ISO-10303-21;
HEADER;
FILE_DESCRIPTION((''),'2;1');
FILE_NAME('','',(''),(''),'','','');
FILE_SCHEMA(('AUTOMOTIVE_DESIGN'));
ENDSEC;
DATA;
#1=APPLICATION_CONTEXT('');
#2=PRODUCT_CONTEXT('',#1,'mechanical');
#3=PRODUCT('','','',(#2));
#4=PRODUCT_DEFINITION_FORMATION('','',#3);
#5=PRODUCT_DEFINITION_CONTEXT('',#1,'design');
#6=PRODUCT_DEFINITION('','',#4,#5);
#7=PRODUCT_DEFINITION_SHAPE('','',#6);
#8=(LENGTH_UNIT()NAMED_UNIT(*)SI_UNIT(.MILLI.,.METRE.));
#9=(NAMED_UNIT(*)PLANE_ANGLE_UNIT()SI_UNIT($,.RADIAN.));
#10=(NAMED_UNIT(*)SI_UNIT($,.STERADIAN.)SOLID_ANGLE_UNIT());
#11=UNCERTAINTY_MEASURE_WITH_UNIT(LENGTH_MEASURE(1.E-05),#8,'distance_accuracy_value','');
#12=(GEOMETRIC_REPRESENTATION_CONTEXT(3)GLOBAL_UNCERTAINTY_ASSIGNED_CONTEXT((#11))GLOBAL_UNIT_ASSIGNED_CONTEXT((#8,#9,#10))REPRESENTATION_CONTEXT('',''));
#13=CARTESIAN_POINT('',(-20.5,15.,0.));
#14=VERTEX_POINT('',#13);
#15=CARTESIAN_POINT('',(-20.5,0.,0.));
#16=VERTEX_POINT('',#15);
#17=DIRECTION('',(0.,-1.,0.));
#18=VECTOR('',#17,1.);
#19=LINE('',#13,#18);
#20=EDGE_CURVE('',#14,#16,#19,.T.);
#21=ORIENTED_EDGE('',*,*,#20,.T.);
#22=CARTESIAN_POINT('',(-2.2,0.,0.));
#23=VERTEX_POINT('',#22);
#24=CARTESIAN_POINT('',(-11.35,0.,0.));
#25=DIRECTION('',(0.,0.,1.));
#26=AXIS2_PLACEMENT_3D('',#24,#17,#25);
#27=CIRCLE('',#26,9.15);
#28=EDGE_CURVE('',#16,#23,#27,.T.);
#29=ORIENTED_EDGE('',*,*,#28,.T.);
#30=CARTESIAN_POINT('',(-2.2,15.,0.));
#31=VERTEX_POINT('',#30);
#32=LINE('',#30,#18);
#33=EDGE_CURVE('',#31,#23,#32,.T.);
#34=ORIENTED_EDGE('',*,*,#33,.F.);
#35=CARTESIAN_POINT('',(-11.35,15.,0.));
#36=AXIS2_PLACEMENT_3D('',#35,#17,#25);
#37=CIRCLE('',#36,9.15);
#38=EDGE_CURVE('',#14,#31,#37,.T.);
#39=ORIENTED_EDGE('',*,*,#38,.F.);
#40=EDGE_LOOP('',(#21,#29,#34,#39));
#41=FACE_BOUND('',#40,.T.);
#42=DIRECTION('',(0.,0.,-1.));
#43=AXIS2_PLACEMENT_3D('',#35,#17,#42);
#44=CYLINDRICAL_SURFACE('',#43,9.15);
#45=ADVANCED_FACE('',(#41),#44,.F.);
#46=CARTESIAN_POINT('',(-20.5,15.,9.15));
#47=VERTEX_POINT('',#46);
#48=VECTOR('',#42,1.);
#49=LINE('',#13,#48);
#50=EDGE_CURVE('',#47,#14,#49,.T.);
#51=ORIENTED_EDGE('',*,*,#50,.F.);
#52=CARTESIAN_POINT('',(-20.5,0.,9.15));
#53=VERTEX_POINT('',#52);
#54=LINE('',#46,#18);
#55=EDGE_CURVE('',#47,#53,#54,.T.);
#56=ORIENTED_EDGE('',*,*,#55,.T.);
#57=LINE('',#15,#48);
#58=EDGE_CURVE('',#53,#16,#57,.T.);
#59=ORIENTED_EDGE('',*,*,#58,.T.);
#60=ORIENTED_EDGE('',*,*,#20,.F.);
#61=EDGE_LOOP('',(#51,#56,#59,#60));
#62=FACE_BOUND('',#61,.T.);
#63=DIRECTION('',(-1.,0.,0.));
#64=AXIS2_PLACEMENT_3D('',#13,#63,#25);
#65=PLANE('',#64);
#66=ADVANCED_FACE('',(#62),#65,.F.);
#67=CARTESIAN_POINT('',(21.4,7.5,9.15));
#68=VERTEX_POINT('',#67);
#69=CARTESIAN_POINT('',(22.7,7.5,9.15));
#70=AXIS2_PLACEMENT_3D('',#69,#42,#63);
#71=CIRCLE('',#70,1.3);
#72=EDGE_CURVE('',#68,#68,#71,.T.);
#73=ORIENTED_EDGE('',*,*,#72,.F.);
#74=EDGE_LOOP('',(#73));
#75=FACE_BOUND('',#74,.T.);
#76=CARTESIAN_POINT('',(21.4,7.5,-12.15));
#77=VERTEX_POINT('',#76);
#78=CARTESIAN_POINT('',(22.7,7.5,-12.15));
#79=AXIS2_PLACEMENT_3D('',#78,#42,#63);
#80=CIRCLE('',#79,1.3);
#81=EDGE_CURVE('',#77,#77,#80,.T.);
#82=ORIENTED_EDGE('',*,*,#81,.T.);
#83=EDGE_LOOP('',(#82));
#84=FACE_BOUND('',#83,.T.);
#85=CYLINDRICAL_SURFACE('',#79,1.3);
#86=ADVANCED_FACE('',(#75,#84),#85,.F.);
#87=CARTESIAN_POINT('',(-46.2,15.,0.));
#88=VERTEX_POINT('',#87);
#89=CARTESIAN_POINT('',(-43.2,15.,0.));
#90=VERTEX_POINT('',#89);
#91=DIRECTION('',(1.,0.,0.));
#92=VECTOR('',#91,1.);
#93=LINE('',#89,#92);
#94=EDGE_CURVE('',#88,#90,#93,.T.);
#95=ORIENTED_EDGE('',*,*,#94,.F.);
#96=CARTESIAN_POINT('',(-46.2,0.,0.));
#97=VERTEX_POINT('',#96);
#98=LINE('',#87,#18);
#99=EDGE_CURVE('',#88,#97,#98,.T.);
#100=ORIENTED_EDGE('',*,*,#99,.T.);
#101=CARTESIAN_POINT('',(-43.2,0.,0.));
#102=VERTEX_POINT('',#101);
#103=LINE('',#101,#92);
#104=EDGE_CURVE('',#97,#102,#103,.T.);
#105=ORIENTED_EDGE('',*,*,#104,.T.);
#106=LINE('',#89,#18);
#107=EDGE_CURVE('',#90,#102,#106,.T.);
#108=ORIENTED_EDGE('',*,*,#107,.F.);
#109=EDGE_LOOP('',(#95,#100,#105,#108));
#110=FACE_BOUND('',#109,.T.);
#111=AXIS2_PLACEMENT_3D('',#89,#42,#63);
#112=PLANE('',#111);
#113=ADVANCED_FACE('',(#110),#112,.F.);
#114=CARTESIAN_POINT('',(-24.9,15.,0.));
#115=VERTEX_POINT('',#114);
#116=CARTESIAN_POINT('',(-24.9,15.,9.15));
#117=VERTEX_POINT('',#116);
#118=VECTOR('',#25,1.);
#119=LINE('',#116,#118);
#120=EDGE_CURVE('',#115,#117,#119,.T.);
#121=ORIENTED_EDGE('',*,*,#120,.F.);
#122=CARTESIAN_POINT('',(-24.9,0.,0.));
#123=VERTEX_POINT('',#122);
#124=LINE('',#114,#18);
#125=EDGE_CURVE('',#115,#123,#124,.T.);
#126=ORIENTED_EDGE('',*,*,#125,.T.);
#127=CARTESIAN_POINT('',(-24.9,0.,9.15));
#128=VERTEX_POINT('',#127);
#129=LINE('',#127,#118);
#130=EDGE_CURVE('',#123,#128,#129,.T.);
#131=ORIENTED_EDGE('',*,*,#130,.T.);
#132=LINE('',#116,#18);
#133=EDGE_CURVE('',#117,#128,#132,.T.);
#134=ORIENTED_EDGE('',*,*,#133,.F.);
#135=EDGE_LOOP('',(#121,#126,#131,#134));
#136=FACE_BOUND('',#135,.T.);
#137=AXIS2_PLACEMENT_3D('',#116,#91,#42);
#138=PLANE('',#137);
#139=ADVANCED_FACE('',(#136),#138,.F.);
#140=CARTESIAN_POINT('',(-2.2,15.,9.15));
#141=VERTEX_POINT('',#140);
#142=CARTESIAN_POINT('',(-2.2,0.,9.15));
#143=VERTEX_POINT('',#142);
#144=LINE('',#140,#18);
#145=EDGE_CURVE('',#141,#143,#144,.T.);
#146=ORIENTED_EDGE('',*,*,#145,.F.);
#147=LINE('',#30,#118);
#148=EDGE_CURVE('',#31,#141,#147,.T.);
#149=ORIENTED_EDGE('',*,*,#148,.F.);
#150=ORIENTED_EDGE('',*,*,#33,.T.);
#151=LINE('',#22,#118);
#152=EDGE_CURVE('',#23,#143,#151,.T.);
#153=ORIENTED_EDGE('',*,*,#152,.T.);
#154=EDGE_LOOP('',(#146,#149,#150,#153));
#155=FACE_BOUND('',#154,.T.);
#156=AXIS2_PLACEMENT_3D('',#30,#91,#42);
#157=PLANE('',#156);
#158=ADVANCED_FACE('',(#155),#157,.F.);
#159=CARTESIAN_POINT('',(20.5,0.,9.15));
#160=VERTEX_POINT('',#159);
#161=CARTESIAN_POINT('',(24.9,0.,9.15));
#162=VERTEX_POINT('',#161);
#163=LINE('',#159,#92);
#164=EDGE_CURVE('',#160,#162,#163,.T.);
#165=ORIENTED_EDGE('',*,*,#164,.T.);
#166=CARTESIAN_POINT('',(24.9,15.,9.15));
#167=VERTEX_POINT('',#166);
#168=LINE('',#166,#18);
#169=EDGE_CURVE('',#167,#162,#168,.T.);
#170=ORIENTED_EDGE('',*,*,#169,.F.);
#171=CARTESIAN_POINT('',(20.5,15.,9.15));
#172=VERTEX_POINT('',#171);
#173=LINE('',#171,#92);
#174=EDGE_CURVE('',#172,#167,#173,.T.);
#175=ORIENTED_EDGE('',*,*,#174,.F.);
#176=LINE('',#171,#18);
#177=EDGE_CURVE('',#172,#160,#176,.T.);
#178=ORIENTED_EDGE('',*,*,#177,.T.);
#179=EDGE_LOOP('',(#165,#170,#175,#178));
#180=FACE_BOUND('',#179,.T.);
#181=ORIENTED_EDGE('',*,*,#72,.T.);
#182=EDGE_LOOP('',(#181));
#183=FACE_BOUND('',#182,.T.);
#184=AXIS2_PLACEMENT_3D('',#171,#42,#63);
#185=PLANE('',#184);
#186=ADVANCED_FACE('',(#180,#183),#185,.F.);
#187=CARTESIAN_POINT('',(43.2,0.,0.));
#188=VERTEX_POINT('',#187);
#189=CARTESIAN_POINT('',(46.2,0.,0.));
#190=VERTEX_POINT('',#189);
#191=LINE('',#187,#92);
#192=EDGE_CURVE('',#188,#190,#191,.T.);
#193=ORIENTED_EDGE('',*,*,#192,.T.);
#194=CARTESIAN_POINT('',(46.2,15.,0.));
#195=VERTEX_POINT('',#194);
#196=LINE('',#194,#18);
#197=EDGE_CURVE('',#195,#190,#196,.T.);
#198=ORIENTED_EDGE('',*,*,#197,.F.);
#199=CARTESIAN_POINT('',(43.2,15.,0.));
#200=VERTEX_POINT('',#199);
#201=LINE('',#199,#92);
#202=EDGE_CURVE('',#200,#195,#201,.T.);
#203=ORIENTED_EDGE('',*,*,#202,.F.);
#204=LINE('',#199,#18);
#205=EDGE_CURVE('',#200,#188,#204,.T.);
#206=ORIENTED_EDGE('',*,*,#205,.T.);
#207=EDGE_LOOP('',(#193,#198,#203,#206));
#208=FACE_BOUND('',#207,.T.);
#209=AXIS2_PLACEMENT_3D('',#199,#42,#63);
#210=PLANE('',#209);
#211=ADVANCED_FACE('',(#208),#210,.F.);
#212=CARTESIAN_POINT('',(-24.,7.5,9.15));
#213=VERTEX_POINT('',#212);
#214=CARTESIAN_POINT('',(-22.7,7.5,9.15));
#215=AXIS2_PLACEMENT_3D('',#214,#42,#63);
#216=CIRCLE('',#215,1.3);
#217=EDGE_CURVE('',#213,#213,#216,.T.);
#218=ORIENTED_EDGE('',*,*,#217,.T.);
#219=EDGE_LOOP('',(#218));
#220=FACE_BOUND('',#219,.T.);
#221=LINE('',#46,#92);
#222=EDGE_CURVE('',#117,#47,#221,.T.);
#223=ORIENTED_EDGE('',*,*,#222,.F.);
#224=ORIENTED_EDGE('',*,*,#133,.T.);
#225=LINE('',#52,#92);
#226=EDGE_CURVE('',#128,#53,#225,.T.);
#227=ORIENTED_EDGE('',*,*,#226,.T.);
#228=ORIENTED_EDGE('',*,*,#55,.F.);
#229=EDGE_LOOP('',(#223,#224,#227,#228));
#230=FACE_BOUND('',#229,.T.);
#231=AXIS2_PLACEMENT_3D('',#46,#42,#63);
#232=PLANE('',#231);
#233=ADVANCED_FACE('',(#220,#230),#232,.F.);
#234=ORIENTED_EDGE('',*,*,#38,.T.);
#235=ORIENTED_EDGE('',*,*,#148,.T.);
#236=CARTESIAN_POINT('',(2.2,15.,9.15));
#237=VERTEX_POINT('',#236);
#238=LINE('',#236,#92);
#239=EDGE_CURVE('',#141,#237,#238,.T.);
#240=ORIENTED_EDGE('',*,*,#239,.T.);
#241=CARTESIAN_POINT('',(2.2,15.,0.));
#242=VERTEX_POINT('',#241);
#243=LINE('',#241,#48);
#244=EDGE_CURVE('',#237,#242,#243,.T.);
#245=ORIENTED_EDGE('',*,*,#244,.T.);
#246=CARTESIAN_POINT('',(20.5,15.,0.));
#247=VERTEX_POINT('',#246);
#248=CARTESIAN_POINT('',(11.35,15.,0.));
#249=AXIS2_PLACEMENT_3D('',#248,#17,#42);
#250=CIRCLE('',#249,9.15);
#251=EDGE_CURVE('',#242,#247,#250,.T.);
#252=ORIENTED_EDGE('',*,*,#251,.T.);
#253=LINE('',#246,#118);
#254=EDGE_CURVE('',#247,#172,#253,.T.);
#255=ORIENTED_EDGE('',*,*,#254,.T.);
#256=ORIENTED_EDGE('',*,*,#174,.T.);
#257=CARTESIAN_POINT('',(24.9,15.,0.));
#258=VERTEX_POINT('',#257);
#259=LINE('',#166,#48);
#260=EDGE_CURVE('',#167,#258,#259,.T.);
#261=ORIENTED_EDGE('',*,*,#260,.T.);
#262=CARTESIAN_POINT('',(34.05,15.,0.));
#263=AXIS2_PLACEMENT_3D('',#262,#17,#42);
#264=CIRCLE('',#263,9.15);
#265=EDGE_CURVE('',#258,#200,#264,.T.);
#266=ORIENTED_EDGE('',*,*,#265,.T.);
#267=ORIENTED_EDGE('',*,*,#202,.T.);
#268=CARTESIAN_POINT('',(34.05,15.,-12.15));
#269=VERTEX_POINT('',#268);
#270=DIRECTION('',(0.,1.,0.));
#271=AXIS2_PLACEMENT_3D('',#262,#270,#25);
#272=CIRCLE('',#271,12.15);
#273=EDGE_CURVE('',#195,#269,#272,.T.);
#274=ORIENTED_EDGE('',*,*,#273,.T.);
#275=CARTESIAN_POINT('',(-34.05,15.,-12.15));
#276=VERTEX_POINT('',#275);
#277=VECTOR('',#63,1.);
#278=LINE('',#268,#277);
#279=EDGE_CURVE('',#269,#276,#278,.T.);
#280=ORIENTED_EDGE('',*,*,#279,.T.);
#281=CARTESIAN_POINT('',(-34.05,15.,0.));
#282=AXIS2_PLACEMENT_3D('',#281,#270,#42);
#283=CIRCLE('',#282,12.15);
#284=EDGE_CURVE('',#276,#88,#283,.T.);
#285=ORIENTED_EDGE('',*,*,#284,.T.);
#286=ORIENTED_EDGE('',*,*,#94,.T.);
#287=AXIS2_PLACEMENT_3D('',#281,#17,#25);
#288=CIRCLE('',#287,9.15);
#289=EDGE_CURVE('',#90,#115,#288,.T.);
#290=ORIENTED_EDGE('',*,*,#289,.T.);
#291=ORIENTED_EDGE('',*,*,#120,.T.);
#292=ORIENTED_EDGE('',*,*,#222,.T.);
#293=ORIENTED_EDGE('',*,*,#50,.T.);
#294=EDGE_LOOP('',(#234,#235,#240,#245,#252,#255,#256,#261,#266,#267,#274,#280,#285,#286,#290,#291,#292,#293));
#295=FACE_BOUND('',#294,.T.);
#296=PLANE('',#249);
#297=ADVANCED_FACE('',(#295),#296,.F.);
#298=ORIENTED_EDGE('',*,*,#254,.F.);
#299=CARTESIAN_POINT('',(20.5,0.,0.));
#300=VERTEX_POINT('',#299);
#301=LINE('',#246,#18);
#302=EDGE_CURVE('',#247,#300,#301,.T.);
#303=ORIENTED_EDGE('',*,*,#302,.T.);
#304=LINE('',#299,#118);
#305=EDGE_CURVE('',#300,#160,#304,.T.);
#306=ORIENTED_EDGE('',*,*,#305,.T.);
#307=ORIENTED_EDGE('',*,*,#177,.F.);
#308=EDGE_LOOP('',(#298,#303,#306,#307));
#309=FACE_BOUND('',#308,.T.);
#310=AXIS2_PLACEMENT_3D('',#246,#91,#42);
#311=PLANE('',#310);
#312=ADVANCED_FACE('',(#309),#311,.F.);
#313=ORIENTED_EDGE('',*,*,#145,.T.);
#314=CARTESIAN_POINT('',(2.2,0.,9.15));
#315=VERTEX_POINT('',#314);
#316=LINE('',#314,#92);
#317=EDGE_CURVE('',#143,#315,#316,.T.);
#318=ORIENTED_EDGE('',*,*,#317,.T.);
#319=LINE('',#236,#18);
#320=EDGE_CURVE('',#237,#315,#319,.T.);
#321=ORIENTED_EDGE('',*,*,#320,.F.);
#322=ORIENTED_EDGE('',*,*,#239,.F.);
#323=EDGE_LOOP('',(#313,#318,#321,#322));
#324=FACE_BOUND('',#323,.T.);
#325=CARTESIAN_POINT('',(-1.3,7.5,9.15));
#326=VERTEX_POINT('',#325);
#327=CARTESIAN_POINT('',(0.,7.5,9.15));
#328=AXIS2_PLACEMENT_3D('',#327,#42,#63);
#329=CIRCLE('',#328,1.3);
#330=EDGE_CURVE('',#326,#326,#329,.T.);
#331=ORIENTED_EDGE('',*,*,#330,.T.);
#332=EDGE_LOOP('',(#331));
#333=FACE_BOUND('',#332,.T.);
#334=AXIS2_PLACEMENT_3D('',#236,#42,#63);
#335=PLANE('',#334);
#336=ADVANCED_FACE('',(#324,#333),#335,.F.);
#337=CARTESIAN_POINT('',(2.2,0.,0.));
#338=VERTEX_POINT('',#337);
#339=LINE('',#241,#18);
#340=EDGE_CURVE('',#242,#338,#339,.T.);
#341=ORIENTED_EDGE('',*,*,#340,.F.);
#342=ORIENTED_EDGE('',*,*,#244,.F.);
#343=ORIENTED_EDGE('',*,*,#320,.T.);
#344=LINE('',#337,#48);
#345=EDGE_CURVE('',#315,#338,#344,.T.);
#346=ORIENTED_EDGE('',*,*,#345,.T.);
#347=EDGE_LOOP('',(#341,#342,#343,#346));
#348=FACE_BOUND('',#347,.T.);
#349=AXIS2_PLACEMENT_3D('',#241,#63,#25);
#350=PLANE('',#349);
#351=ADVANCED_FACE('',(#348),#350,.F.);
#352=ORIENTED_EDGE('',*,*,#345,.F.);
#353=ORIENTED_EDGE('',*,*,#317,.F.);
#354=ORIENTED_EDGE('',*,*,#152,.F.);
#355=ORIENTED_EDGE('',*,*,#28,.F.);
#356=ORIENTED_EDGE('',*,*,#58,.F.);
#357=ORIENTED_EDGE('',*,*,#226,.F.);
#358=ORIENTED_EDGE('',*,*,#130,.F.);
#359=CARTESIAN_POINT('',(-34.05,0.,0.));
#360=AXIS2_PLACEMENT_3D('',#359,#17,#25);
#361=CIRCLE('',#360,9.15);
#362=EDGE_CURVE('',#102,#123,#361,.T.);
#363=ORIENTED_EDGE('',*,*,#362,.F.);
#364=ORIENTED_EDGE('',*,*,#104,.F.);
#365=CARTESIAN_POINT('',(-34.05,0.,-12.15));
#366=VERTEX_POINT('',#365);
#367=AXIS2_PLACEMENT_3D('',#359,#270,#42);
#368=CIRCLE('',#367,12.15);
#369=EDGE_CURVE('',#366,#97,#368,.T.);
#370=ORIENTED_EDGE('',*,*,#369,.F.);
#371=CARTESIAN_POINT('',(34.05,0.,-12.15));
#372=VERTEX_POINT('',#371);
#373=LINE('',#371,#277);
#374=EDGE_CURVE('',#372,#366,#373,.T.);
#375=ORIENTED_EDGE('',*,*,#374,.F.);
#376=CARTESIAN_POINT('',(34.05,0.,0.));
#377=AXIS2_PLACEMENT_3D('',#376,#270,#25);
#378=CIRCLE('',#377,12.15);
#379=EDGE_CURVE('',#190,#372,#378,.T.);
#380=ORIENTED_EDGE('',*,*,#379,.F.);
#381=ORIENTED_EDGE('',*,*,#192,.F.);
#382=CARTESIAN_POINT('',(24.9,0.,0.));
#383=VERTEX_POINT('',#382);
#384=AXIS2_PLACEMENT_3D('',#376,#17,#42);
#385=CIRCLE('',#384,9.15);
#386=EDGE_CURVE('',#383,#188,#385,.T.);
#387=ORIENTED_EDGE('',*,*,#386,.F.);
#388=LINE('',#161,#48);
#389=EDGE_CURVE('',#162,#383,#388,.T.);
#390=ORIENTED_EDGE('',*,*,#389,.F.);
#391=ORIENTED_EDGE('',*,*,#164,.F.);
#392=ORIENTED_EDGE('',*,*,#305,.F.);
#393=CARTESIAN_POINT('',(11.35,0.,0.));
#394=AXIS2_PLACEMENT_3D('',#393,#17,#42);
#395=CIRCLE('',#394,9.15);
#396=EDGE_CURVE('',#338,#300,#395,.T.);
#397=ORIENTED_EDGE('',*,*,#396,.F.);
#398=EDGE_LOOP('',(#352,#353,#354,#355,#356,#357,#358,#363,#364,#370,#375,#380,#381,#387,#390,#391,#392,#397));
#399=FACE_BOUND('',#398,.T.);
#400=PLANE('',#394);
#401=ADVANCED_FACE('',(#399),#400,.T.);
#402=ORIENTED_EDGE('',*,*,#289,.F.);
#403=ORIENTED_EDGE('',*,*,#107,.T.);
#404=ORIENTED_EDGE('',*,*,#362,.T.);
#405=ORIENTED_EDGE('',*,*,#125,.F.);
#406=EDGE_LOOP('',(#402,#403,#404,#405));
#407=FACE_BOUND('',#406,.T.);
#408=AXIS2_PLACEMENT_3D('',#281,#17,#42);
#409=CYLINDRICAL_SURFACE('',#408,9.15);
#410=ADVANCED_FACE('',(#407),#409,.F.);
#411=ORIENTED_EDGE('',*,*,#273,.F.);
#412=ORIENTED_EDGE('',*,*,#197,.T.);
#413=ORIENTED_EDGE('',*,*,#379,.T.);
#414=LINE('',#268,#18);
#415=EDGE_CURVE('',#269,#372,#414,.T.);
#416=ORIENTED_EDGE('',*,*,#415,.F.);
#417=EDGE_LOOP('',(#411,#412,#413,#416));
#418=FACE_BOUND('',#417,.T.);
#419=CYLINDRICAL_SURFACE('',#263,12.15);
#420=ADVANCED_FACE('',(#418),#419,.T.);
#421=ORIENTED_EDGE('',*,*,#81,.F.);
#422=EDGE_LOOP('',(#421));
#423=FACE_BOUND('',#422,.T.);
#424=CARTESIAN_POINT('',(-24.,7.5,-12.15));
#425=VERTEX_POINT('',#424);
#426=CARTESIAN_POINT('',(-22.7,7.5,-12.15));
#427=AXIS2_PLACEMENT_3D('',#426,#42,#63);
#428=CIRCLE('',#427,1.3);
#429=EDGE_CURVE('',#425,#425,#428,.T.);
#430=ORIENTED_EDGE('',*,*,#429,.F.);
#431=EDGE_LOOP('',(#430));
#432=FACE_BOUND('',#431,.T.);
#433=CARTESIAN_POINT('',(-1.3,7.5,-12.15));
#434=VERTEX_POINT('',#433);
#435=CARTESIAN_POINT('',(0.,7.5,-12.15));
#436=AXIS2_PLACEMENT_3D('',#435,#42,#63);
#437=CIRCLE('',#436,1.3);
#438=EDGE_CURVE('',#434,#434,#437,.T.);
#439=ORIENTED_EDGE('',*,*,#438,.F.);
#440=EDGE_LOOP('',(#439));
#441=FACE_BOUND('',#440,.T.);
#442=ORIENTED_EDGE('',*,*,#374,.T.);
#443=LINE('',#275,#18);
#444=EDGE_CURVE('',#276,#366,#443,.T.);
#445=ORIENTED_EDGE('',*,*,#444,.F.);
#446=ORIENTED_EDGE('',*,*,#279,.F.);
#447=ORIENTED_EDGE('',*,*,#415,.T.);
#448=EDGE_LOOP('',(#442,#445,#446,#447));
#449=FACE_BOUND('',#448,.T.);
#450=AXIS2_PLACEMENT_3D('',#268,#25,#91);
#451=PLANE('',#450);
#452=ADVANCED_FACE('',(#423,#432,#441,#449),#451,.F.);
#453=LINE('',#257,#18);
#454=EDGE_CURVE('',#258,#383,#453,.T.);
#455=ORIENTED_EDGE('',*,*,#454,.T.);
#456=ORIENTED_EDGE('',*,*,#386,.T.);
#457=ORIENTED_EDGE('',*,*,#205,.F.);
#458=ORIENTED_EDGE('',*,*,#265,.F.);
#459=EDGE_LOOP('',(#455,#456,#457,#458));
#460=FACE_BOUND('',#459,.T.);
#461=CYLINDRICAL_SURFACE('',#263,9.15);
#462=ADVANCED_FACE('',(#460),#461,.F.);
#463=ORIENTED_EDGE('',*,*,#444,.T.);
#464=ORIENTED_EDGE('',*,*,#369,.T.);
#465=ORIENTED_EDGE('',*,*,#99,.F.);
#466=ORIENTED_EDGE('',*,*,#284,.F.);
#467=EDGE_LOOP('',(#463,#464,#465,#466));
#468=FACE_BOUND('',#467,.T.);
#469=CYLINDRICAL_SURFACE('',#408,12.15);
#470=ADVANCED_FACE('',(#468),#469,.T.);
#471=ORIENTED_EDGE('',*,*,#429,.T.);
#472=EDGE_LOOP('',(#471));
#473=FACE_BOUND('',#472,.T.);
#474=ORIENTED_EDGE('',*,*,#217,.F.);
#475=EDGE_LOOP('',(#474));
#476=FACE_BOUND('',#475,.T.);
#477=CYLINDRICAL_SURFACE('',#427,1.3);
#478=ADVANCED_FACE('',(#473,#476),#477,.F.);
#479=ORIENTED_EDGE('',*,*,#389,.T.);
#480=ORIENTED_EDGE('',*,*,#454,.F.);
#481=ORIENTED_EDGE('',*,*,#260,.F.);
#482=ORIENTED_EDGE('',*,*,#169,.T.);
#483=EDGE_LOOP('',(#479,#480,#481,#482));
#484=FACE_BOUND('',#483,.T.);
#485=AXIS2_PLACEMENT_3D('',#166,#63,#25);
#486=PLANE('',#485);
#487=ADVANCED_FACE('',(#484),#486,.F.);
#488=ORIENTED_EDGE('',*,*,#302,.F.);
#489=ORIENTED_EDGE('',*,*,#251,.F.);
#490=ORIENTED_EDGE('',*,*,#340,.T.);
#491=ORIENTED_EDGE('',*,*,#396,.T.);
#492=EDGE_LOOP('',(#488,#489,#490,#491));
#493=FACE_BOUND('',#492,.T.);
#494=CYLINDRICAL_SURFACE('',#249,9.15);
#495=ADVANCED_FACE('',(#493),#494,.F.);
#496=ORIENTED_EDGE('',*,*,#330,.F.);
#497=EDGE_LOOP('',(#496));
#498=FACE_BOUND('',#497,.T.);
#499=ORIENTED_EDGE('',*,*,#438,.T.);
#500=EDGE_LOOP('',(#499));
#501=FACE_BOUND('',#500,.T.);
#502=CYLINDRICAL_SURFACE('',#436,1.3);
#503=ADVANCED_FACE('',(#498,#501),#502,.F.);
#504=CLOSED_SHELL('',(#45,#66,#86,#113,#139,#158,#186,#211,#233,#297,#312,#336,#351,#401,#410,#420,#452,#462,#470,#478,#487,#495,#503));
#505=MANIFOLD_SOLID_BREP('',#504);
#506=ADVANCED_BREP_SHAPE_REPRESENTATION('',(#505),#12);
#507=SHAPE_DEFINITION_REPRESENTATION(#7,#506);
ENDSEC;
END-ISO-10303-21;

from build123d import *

# Parameters (mm, degrees)
BOSS_EXTRUDE1_DEPTH  = 15
M2_CLEARANCE_HOLE2_D = 2.6


with BuildPart() as part:
    # Sketch1 → Boss-Extrude1 (new body)
    with BuildSketch(Plane(origin=(0, 0, 0), x_dir=(1, 0, 0), z_dir=(0, 1, 0))):
        with BuildLine():
            Line((2.2, 0), (2.2, -9.15))
            Line((2.2, -9.15), (-2.2, -9.15))
            Line((-2.2, -9.15), (-2.2, 0))
            ThreePointArc((-2.2, 0), (-11.35, 9.15), (-20.5, 0))
            Line((-20.5, 0), (-20.5, -9.15))
            Line((-20.5, -9.15), (-24.9, -9.15))
            Line((-24.9, -9.15), (-24.9, 0))
            ThreePointArc((-24.9, 0), (-34.05, 9.15), (-43.2, 0))
            Line((-43.2, 0), (-46.2, 0))
            ThreePointArc((-46.2, 0), (-42.641347391, 8.591347391), (-34.05, 12.15))
            Line((-34.05, 12.15), (34.05, 12.15))
            ThreePointArc((34.05, 12.15), (42.641347391, 8.591347391), (46.2, 0))
            Line((46.2, 0), (43.2, 0))
            ThreePointArc((43.2, 0), (34.05, 9.15), (24.9, 0))
            Line((24.9, 0), (24.9, -9.15))
            Line((24.9, -9.15), (20.5, -9.15))
            Line((20.5, -9.15), (20.5, 0))
            ThreePointArc((20.5, 0), (11.35, 9.15), (2.2, 0))
        make_face()
    extrude(amount=BOSS_EXTRUDE1_DEPTH)

    # M2 Clearance Hole2 (through all)
    with Locations(Plane(origin=(0, 0, -12.15), x_dir=(-1, 0, 0), z_dir=(0, 0, -1))):
        with Locations((0, 7.5), (-22.7, 7.5), (22.7, 7.5)):
            Hole(M2_CLEARANCE_HOLE2_D / 2)


solid = part.part
